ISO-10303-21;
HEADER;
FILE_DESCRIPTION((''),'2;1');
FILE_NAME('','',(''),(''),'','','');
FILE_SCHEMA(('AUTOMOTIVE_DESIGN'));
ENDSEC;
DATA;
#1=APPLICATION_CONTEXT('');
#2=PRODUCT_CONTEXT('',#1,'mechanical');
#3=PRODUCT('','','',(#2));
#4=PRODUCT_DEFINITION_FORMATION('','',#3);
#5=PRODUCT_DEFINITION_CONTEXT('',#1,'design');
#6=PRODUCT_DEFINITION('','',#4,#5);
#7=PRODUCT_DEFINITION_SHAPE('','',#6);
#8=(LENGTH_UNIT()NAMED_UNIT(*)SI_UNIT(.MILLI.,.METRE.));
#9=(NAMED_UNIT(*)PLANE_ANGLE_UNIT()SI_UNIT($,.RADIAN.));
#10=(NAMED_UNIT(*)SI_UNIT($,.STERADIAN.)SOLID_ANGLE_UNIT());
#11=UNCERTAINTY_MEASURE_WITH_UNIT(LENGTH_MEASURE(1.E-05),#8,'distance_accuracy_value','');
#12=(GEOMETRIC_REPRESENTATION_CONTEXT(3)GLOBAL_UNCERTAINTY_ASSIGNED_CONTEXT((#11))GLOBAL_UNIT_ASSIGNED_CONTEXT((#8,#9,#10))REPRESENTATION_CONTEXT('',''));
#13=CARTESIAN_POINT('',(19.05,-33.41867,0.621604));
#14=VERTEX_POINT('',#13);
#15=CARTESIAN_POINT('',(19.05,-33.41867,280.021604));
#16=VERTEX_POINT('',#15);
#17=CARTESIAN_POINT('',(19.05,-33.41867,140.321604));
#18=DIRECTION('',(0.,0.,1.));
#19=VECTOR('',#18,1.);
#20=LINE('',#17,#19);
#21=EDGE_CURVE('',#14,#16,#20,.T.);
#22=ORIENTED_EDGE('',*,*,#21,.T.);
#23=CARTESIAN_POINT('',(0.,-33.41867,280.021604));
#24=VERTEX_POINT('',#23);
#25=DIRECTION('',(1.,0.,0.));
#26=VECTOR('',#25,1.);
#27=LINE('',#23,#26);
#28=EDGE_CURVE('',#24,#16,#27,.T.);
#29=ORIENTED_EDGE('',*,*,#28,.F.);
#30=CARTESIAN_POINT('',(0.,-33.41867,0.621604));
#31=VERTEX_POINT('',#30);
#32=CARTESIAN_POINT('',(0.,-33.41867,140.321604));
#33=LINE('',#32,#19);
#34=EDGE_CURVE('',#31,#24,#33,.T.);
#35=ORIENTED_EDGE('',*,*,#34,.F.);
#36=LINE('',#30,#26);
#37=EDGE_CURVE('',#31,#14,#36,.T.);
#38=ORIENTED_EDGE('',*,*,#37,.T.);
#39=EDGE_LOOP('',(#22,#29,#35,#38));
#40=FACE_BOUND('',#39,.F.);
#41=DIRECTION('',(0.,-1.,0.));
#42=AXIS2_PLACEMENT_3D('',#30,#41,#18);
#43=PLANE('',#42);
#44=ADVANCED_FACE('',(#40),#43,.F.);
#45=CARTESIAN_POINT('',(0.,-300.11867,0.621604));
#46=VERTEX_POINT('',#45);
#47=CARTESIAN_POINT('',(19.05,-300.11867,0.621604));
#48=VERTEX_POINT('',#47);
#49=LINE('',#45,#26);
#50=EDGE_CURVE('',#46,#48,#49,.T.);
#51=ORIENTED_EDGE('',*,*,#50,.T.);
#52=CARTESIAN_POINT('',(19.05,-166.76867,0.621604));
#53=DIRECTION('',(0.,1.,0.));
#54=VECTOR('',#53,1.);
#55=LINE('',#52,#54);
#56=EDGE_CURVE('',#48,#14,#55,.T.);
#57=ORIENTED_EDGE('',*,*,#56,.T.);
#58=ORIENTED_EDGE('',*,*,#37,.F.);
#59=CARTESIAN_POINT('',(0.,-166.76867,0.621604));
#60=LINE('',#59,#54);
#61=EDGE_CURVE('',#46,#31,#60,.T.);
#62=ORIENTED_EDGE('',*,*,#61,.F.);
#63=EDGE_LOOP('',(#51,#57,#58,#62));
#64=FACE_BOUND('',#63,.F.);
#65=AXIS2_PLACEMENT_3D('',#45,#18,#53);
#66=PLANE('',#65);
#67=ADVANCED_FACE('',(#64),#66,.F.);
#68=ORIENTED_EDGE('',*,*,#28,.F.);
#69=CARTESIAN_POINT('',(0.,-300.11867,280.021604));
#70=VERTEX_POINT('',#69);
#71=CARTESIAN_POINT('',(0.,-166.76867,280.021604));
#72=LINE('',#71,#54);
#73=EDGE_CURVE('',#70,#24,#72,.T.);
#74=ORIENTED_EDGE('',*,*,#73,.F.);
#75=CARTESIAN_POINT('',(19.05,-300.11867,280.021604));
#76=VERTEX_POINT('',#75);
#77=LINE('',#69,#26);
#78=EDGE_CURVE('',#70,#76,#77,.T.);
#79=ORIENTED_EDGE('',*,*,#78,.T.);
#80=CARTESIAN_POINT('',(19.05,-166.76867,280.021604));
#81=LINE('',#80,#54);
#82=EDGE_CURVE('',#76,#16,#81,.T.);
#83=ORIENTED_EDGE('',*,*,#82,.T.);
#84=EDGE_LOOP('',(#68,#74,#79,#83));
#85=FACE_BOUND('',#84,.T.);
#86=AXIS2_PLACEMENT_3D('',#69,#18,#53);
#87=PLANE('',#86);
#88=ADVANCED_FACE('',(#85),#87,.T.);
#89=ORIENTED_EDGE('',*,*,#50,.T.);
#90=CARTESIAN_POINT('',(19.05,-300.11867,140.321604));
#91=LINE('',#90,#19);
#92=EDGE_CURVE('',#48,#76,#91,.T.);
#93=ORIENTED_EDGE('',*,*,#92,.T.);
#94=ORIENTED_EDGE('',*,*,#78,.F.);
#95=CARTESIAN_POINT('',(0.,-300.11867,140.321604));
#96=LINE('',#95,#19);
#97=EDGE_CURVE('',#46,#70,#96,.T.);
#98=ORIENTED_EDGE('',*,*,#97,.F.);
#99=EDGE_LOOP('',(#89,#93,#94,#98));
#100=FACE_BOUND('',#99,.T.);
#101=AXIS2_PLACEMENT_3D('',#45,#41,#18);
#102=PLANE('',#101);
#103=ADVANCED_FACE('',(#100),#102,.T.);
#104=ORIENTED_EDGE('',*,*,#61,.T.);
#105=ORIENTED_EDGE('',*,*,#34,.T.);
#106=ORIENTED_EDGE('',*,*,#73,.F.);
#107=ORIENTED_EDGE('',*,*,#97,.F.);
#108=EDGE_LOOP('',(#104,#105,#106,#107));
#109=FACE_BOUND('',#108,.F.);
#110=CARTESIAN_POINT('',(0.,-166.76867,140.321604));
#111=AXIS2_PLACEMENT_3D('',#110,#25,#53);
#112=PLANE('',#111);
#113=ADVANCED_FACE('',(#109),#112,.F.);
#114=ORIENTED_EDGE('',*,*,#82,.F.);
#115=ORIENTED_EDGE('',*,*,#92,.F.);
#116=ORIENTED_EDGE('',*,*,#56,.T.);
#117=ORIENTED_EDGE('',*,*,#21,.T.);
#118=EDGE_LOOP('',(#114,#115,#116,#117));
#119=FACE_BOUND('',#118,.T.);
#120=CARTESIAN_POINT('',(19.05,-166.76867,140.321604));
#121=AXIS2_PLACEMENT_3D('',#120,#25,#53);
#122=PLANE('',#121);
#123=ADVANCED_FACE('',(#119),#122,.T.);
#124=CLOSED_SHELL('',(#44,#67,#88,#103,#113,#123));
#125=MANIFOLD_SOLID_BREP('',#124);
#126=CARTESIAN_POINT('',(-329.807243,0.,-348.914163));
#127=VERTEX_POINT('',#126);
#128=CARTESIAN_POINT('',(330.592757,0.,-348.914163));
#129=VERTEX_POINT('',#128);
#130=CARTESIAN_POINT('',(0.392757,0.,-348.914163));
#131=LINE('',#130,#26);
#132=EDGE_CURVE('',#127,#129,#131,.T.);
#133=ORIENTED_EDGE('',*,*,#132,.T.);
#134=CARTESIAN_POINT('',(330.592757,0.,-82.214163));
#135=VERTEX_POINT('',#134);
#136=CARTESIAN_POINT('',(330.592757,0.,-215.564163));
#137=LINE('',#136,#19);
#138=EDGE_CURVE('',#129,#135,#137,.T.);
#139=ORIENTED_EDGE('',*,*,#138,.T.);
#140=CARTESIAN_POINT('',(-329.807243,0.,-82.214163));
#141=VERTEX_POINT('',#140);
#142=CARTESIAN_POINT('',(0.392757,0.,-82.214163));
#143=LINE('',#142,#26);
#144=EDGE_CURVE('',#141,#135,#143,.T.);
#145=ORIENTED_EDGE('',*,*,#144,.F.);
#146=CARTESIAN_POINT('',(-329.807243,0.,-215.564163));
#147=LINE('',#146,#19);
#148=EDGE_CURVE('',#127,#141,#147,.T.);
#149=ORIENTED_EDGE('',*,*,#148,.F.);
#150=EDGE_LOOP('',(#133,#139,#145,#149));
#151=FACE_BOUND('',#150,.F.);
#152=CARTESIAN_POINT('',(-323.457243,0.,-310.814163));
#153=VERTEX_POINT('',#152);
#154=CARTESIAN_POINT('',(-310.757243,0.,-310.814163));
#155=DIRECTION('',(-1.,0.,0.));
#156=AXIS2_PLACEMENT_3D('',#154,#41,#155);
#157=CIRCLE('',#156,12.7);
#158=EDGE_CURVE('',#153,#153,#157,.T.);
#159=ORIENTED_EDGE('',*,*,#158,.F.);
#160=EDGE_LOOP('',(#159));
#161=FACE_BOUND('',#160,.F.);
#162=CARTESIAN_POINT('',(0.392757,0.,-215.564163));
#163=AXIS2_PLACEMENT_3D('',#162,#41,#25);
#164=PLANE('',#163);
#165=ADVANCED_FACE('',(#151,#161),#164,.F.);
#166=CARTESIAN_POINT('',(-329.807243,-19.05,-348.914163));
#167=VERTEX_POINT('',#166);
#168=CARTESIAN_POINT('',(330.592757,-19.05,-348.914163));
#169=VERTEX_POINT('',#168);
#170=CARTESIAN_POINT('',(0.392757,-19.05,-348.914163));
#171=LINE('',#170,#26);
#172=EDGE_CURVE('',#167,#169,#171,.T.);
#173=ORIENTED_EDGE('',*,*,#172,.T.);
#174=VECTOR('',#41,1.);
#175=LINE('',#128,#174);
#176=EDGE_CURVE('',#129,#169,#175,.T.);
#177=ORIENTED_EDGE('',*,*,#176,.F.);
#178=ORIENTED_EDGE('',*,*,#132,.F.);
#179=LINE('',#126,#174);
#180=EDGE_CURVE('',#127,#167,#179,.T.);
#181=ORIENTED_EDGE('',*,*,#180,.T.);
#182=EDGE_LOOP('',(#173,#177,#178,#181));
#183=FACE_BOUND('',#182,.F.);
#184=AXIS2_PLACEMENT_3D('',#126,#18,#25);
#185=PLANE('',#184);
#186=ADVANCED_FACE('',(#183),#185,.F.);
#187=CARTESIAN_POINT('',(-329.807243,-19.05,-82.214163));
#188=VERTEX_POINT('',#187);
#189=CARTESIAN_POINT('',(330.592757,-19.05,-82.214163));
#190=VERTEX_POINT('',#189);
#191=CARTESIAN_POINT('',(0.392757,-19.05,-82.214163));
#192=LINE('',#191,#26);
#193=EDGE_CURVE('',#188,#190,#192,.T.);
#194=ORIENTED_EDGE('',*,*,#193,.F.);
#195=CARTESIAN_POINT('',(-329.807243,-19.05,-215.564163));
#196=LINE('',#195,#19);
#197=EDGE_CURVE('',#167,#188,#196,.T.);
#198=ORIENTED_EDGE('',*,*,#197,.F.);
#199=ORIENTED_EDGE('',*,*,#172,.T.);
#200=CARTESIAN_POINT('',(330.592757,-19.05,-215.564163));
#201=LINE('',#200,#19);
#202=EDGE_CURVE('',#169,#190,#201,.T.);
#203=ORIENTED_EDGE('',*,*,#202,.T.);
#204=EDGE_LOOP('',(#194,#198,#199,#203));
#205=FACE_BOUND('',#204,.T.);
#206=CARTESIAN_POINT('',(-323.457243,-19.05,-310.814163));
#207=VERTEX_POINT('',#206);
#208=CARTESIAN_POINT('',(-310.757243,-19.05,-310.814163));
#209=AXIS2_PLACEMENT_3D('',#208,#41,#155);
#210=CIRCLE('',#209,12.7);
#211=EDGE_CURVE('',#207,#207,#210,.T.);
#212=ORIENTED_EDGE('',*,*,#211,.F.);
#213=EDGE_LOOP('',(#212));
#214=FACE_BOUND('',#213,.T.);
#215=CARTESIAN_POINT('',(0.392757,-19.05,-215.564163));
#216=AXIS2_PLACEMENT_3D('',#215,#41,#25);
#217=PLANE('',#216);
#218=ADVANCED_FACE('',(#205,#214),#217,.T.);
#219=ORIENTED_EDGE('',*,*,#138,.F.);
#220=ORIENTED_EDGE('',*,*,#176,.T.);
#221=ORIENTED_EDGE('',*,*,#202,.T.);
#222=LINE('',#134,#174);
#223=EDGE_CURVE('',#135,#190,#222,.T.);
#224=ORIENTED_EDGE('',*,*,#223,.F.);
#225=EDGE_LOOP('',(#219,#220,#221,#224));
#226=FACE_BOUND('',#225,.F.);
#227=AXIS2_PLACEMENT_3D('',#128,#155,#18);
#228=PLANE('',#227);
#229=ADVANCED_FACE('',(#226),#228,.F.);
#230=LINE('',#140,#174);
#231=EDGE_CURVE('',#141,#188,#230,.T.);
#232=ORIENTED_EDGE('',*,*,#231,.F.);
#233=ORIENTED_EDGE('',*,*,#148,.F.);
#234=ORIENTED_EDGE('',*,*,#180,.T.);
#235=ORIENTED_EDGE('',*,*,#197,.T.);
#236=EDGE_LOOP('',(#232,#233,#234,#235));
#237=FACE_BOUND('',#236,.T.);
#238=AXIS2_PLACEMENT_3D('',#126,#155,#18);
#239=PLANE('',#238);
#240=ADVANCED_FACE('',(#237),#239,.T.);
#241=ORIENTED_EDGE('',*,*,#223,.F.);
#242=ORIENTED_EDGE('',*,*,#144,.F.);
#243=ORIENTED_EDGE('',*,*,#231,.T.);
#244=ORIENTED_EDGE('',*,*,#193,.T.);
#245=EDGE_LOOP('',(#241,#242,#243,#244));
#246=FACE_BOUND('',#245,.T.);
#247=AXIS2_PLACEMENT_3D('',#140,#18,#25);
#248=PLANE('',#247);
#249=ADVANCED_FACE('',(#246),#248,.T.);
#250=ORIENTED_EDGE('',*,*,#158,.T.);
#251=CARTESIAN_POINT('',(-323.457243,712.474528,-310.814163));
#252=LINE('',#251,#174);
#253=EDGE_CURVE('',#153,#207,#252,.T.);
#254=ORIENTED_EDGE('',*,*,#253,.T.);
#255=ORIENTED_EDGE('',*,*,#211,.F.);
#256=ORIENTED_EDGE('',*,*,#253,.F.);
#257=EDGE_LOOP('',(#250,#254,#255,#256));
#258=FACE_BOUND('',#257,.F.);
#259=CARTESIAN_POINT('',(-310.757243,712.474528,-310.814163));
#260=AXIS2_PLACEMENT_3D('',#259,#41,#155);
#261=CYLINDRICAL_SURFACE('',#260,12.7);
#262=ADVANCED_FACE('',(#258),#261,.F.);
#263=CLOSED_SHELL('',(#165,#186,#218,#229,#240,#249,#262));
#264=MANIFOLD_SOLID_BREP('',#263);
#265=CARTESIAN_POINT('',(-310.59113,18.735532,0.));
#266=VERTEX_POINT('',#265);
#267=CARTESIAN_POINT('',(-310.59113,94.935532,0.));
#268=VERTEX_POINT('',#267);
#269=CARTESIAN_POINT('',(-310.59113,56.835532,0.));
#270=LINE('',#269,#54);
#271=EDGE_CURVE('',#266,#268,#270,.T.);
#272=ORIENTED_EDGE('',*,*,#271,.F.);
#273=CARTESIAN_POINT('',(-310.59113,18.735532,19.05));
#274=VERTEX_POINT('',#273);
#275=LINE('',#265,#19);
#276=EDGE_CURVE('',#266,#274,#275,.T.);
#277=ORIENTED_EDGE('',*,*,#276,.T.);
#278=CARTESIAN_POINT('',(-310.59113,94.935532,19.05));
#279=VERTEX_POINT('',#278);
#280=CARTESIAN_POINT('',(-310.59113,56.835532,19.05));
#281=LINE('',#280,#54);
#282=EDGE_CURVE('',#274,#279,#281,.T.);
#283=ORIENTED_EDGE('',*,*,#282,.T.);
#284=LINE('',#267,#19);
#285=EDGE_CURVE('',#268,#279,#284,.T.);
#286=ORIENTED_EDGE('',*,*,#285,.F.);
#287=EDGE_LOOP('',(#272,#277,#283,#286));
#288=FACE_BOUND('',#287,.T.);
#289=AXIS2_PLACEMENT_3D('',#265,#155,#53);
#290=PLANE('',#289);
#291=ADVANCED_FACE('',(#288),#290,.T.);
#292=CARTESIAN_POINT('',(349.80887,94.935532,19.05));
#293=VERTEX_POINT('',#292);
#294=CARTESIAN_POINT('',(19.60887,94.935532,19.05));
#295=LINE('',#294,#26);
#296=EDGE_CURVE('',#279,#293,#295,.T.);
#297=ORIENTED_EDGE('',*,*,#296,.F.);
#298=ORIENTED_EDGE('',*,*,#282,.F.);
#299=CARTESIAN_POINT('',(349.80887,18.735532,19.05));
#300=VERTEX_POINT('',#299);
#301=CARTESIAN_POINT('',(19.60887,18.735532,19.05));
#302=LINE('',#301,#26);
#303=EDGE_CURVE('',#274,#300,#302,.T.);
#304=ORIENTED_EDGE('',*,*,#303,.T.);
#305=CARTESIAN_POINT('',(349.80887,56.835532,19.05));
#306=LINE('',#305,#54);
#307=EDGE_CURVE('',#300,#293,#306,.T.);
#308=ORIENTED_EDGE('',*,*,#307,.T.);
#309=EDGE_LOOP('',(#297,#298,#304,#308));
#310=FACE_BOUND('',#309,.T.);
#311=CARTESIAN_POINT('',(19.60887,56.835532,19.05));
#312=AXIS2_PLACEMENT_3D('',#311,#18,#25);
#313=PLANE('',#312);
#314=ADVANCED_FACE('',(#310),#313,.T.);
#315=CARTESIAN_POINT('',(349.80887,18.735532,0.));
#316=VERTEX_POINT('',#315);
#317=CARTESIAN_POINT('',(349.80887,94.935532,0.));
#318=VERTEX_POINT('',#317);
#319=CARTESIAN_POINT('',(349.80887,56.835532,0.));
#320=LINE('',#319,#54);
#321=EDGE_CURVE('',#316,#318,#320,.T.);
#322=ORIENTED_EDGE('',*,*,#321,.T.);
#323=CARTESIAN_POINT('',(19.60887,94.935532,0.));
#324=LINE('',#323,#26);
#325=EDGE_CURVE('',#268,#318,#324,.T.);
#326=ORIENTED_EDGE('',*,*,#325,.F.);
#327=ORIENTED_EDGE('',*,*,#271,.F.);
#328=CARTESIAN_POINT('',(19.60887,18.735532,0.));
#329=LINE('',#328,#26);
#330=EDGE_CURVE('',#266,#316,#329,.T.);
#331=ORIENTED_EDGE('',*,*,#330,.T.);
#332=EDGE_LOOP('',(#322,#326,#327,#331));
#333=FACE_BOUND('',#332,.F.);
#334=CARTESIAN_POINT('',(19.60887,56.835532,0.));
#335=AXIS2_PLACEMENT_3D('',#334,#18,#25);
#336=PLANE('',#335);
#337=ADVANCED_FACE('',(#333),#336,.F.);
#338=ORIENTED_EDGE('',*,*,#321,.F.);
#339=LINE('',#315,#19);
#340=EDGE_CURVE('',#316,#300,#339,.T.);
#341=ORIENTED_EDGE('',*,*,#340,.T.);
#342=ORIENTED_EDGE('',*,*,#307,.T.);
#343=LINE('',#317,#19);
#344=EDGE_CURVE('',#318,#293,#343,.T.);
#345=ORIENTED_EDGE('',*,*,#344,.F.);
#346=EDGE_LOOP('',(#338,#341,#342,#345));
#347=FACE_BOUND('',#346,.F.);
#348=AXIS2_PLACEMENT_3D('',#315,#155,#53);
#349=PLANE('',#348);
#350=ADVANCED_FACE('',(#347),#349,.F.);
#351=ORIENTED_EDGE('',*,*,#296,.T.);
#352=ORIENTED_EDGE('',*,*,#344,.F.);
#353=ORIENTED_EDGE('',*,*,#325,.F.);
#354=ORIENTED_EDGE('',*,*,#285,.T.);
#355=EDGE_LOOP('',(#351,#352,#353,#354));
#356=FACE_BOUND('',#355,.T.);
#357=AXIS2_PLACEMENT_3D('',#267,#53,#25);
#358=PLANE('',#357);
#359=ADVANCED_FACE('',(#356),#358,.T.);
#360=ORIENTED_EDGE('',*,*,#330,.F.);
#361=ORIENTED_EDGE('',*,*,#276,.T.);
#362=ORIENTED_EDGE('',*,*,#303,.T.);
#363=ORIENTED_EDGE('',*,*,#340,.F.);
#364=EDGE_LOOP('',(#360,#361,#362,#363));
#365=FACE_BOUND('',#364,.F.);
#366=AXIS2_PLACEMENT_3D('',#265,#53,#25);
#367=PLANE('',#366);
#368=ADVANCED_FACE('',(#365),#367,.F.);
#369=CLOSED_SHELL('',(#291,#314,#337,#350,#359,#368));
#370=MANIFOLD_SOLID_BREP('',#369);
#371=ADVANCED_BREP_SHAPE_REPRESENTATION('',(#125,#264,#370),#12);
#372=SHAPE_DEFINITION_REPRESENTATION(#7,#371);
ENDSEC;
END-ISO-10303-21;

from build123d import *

# Parameters (mm, degrees)
F0_W     = 660.4
F0_H     = 266.7
F1_DEPTH = 19.05
F2_W     = 660.4
F2_H     = 76.2
F3_DEPTH = 19.05
F4_W     = 266.7
F4_H     = 279.4
F5_DEPTH = 19.05
F6_D     = 25.4


with BuildPart() as f1:
    # F0 (on Front) → F1 (new body)
    with BuildSketch(Plane.XZ):
        with Locations((0.3927573562, -215.5641628401)):
            Rectangle(F0_W, F0_H)
    extrude(amount=F1_DEPTH)

    # F6 (through all)
    with Locations(Plane(origin=(0, 0, 0), x_dir=(1, 0, 0), z_dir=(0, 1, 0))):
        with Locations((-310.7572426438, 310.8141628401)):
            Hole(F6_D / 2)


with BuildPart() as f3:
    # F2 (on Top) → F3 (new body)
    with BuildSketch(Plane.XY):
        with Locations((19.6088701487, 56.8355319258)):
            Rectangle(F2_W, F2_H)
    extrude(amount=F3_DEPTH)


with BuildPart() as f5:
    # F4 (on Right) → F5 (new body)
    with BuildSketch(Plane.YZ):
        with Locations((-166.7686700821, 140.3216040973)):
            Rectangle(F4_W, F4_H)
    extrude(amount=F5_DEPTH)


solid = Compound([f1.part, f3.part, f5.part])
